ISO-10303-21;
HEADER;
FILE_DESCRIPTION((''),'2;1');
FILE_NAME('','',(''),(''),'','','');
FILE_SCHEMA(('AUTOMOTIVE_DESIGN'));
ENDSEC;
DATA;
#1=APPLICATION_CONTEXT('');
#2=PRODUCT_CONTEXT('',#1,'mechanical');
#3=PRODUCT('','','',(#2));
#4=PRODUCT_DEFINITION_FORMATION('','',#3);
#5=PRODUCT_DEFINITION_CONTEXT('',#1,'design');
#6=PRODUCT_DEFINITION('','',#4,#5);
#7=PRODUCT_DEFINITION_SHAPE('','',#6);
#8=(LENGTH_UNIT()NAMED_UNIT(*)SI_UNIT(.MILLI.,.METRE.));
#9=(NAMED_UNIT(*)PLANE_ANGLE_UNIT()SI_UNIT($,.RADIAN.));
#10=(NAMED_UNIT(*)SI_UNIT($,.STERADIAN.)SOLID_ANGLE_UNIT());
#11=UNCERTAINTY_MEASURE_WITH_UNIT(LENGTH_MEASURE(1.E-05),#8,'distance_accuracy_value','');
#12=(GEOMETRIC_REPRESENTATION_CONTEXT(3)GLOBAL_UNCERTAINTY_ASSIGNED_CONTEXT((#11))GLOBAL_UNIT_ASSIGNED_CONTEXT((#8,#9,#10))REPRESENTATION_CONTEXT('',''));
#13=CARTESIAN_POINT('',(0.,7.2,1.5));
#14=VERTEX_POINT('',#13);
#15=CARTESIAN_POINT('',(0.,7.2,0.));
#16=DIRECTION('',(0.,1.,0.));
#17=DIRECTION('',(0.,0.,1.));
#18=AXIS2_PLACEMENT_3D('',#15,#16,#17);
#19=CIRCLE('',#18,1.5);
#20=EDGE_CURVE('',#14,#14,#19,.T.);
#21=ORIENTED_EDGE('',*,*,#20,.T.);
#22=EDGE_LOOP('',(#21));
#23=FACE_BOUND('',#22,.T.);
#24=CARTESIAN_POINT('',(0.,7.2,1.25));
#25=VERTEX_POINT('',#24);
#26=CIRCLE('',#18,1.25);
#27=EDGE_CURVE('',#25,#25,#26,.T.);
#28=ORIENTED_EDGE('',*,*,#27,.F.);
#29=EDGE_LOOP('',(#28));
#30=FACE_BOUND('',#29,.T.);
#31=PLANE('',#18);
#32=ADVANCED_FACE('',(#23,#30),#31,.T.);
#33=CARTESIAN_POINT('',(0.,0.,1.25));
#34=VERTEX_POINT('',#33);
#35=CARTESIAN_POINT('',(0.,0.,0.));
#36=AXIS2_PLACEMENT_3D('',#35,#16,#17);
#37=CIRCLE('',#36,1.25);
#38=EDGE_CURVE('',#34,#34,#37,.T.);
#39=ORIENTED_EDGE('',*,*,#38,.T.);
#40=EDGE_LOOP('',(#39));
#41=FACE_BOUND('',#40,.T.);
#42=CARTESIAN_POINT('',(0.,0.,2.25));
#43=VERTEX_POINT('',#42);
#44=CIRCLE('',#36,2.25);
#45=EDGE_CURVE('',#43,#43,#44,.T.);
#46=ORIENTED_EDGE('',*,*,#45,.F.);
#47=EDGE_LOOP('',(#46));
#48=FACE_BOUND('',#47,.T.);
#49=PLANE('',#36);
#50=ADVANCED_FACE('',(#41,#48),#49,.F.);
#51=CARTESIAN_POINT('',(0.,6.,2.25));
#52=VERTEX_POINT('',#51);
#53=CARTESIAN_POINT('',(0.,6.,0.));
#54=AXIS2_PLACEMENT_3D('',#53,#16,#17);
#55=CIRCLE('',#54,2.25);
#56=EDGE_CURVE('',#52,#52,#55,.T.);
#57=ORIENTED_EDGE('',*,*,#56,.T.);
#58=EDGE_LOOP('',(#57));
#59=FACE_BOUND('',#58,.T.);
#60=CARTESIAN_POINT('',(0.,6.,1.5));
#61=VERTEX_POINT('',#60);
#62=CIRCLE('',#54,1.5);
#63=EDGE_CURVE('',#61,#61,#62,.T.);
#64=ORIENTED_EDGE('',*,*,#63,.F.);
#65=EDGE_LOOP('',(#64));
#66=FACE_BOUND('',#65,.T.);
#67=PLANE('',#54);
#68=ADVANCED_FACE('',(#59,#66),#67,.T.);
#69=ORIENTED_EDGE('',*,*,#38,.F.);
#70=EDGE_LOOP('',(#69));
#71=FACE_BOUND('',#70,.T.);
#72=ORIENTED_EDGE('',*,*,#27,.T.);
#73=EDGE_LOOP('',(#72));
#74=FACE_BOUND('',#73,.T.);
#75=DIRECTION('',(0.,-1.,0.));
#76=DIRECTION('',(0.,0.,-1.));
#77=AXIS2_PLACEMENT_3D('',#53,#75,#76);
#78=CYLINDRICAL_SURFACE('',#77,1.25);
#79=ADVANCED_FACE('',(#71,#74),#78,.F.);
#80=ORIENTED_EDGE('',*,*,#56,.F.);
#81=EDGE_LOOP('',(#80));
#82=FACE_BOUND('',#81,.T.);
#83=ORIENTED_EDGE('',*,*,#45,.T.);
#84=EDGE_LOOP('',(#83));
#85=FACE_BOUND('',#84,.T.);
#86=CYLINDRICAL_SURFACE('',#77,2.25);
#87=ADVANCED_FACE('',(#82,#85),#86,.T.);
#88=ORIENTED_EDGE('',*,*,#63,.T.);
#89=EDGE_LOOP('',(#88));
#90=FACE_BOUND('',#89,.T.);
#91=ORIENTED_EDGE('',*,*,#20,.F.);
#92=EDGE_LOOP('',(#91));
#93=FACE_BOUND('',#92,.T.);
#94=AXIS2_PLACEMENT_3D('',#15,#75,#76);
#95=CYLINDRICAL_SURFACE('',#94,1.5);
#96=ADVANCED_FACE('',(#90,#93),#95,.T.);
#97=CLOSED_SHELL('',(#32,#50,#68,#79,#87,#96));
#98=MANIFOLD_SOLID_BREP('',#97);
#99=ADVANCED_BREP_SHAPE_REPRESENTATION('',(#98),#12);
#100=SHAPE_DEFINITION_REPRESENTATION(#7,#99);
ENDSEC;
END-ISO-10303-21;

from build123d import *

# Parameters (mm, degrees)
SKETCH_1_R      = 2.25
SKETCH_1_R_2    = 1.25
EXTRUDE_1_DEPTH = 6
SKETCH_2_R      = 1.5
SKETCH_2_R_2    = 1.25
EXTRUDE_2_DEPTH = 1.2


with BuildPart() as part:
    # 草图1 → 凸台-拉伸1 (new body)
    with BuildSketch(Plane(origin=(0, 0, 0), x_dir=(1, 0, 0), z_dir=(0, 1, 0))):
        with Locations(Location((0, 0, 0), (0, 0, 270))):
            Circle(SKETCH_1_R)
        with Locations(Location((0, 0, 0), (0, 0, 270))):
            Circle(SKETCH_1_R_2, mode=Mode.SUBTRACT)
    extrude(amount=EXTRUDE_1_DEPTH)

    # 草图2 → 凸台-拉伸2 (add)
    with BuildSketch(Plane(origin=(0, 6, 0), x_dir=(1, 0, 0), z_dir=(0, 1, 0))):
        with Locations(Location((0, 0, 0), (0, 0, 270))):
            Circle(SKETCH_2_R)
        with Locations(Location((0, 0, 0), (0, 0, 270))):
            Circle(SKETCH_2_R_2, mode=Mode.SUBTRACT)
    extrude(amount=EXTRUDE_2_DEPTH)


solid = part.part
